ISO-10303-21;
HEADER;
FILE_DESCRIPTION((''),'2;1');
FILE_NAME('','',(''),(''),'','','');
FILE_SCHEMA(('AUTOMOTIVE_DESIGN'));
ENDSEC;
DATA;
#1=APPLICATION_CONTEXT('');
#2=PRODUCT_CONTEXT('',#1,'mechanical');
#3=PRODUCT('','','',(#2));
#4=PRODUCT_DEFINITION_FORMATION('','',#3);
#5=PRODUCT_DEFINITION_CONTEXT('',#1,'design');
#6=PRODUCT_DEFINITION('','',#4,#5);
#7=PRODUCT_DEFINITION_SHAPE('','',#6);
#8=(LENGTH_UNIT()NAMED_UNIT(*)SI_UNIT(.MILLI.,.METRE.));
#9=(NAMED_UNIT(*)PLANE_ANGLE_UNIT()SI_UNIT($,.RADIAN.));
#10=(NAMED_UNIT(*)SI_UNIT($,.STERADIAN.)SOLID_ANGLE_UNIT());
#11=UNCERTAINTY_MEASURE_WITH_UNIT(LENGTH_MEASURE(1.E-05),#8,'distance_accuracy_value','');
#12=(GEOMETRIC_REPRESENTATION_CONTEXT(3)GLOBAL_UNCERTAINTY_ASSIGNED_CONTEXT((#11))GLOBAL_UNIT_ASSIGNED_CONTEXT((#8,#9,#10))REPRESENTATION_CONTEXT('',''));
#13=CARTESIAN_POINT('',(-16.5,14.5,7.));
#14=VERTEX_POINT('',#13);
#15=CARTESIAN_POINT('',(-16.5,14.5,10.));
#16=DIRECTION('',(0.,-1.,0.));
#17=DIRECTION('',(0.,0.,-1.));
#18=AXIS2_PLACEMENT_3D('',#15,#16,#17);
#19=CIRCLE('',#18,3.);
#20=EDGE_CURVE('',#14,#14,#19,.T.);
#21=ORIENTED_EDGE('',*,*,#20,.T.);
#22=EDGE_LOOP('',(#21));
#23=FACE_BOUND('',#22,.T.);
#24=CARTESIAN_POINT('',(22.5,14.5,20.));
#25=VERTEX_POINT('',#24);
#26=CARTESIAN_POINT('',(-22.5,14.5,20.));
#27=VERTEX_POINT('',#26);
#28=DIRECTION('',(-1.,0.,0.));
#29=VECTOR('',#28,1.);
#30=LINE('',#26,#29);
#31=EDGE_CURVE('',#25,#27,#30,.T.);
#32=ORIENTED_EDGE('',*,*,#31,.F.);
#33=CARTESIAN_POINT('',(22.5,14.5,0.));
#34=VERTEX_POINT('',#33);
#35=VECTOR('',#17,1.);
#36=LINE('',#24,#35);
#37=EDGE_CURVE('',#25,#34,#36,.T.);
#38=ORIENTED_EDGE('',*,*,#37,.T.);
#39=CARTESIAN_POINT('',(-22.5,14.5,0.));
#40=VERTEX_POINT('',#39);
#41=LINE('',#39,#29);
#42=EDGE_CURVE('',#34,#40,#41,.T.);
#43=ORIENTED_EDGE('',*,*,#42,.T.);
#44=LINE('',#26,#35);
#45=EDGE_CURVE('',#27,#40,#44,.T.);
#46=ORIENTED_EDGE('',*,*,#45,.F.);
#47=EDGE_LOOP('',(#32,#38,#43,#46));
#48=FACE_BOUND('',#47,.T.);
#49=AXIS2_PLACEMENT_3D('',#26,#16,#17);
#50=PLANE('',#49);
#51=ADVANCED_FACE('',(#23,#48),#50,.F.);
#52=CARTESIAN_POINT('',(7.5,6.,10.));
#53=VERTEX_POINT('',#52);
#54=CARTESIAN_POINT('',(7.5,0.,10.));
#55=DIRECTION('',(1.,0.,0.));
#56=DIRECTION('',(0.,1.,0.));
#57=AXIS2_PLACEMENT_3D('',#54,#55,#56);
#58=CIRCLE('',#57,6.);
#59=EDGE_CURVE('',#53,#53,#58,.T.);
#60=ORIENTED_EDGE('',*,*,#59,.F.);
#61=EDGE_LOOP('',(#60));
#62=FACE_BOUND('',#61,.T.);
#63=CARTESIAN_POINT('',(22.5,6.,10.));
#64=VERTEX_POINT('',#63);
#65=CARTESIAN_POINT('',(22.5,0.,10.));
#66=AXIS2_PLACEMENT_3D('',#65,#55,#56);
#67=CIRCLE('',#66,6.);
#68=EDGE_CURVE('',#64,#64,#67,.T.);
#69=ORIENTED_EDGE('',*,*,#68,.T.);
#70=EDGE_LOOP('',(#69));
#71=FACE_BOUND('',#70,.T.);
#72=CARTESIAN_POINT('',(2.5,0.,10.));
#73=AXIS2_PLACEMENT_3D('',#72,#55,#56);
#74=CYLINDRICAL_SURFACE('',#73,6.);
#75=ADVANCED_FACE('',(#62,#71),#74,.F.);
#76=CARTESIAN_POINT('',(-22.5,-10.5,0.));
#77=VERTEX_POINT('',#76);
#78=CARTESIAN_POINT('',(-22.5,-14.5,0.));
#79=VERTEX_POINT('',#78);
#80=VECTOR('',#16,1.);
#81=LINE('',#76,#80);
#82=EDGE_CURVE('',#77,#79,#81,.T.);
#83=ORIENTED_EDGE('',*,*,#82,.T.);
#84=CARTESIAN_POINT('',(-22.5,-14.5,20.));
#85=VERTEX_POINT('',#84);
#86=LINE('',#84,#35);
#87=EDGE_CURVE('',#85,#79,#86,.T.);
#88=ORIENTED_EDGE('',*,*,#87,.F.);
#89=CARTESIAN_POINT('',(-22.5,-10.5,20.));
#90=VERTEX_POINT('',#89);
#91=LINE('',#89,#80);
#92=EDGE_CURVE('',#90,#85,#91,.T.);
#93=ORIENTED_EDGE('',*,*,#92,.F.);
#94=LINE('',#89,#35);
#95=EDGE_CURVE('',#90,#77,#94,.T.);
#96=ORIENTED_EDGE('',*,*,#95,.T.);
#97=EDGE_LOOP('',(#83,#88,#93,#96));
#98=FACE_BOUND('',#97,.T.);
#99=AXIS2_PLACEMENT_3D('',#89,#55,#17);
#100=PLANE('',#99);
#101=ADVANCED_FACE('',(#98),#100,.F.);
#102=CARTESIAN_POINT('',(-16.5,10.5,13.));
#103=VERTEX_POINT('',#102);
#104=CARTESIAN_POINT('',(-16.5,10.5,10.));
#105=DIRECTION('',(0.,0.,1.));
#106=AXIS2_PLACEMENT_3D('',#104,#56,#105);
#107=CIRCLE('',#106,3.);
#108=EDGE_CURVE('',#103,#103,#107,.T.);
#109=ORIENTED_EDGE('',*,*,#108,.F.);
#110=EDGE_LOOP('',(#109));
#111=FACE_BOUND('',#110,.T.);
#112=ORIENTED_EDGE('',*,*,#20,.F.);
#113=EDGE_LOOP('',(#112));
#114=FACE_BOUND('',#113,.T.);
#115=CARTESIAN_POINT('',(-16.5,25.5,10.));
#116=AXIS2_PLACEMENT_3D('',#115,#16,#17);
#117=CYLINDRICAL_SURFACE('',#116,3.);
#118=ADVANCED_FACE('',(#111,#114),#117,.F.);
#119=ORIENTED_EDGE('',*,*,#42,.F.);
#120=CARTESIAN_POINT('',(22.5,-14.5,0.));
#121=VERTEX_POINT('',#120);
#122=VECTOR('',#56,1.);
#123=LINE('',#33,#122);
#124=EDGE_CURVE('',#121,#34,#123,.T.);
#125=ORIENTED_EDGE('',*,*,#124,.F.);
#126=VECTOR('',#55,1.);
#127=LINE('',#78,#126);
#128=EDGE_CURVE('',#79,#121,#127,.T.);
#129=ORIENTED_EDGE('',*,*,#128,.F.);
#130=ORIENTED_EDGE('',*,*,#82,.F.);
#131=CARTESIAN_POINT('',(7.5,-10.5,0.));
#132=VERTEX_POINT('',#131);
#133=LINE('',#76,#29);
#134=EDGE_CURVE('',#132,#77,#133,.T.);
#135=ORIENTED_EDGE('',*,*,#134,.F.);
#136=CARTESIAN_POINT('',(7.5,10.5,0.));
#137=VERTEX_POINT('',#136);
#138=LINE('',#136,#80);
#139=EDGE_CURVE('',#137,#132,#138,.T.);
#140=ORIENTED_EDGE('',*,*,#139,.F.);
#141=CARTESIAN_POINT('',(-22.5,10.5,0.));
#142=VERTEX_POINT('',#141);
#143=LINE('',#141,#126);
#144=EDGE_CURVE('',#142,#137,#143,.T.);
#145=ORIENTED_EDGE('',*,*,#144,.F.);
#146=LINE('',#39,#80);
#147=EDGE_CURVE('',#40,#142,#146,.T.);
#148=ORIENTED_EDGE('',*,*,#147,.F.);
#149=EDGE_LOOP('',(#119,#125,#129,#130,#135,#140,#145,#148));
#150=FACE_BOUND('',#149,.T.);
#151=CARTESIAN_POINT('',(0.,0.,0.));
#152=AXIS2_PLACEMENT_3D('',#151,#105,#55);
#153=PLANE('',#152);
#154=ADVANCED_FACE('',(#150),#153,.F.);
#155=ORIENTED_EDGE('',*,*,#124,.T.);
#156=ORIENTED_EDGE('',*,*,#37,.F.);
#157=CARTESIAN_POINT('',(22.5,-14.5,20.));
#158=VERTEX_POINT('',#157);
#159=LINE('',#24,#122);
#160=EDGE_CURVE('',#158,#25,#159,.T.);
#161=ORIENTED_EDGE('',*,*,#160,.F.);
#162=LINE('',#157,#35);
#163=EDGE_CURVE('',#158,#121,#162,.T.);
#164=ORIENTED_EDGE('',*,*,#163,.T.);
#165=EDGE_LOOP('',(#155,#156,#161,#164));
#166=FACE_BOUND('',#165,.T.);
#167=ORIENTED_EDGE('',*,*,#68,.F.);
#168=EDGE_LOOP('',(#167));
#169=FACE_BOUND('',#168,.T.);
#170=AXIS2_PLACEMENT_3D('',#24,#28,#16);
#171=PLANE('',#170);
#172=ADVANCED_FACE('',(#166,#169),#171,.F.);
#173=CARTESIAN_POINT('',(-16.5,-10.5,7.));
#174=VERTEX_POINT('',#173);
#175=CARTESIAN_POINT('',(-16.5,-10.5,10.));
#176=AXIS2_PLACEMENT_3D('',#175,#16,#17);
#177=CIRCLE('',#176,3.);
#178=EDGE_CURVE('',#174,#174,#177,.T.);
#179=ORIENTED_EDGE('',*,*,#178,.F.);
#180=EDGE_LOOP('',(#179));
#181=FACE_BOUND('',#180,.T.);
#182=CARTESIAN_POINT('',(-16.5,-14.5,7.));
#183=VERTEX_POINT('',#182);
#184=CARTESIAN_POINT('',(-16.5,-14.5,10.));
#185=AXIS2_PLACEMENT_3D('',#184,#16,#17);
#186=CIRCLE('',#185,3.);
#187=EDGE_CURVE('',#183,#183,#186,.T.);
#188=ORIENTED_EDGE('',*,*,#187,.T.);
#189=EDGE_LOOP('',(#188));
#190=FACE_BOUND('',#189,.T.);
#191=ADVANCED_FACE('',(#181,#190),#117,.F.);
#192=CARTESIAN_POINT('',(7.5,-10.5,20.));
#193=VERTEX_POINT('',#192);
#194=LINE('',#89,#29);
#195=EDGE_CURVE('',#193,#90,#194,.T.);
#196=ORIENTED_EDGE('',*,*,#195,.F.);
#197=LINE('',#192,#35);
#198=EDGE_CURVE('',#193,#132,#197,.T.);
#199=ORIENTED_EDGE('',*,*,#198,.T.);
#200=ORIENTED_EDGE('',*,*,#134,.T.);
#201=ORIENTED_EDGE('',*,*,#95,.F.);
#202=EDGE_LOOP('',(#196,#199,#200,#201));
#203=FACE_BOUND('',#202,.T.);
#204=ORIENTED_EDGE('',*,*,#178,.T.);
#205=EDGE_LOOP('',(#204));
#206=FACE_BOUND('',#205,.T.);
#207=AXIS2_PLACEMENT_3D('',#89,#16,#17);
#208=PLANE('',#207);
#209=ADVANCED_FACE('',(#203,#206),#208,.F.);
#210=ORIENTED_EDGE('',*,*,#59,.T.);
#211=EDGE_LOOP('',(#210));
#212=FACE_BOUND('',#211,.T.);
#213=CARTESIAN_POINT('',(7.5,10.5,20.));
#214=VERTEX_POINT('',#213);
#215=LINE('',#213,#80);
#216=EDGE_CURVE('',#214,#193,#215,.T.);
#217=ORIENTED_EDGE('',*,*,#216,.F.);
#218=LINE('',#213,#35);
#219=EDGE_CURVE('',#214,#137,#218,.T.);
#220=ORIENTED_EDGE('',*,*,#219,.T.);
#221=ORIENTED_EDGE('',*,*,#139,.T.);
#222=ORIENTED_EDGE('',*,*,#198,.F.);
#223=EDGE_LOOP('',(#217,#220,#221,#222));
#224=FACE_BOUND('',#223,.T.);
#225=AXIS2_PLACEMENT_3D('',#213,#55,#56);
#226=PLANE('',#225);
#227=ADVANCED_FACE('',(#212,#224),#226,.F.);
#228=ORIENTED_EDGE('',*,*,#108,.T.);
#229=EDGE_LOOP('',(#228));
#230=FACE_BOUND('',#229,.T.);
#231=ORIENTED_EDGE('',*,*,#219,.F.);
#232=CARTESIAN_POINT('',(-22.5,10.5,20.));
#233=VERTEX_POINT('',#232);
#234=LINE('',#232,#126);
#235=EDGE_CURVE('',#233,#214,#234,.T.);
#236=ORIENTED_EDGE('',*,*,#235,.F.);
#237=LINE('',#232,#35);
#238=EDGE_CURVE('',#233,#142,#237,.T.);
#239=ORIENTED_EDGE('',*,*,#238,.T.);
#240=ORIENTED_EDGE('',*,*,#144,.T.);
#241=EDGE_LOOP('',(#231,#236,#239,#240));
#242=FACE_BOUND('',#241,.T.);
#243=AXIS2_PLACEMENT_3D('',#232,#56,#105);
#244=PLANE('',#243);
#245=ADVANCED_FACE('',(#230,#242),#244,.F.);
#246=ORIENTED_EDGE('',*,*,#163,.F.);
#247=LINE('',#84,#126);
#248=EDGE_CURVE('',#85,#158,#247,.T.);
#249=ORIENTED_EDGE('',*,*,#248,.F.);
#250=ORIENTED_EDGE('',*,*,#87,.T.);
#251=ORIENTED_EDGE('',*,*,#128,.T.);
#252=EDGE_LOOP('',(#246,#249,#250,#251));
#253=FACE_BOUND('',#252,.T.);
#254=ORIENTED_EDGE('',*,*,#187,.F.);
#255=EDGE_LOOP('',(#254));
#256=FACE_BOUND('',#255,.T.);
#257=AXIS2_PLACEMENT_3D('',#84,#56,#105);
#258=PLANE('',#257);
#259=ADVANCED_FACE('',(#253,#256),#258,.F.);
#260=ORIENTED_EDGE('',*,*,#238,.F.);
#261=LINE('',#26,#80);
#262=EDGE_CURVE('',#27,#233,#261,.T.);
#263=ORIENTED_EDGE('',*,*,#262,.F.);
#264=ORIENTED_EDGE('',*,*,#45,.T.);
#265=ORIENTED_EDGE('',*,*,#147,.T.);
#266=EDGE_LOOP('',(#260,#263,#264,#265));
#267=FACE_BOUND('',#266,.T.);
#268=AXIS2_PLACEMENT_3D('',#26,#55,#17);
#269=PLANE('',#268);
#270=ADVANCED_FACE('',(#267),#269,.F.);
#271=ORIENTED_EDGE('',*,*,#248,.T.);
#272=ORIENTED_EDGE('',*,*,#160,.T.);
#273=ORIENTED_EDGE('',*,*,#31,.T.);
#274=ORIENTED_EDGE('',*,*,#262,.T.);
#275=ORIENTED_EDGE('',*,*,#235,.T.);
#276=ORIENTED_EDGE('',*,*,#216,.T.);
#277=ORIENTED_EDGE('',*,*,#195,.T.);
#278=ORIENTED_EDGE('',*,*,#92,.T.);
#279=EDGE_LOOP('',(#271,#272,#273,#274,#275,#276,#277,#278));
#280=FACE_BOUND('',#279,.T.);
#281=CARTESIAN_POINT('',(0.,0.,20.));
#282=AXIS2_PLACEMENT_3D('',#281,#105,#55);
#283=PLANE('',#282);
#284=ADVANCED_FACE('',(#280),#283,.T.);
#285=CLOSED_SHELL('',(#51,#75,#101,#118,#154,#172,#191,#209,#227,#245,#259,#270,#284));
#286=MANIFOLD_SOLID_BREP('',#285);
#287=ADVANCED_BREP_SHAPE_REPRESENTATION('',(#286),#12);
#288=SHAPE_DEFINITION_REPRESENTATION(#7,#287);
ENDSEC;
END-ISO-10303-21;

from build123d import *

# Parameters (mm, degrees)
Y_KSEKLIK_EKSTR_ZYON1_DEPTH = 20
IZIM2_R                     = 6
KES_EKSTR_ZYON1_DEPTH       = 20
IZIM3_R                     = 3
KES_EKSTR_ZYON2_DEPTH       = 40


with BuildPart() as part:
    # Çizim1 → Yükseklik-Ekstrüzyon1 (new body)
    with BuildSketch(Plane.XY):
        Polygon((-22.5, 14.5), (22.5, 14.5), (22.5, -14.5), (-22.5, -14.5), (-22.5, -10.5), (7.5, -10.5), (7.5, 10.5), (-22.5, 10.5), align=None)
    extrude(amount=Y_KSEKLIK_EKSTR_ZYON1_DEPTH)

    # Çizim2 → Kes-Ekstrüzyon1 (cut)
    with BuildSketch(Plane(origin=(22.5, 0, 0), x_dir=(0, 0, -1), z_dir=(1, 0, 0))):
        with Locations((-10, 0)):
            Circle(IZIM2_R)
    extrude(amount=-KES_EKSTR_ZYON1_DEPTH, mode=Mode.SUBTRACT)

    # Çizim3 → Kes-Ekstrüzyon2 (cut)
    with BuildSketch(Plane.XZ.offset(14.5)):
        with Locations((-16.5, 10)):
            Circle(IZIM3_R)
    extrude(amount=-KES_EKSTR_ZYON2_DEPTH, mode=Mode.SUBTRACT)


solid = part.part
